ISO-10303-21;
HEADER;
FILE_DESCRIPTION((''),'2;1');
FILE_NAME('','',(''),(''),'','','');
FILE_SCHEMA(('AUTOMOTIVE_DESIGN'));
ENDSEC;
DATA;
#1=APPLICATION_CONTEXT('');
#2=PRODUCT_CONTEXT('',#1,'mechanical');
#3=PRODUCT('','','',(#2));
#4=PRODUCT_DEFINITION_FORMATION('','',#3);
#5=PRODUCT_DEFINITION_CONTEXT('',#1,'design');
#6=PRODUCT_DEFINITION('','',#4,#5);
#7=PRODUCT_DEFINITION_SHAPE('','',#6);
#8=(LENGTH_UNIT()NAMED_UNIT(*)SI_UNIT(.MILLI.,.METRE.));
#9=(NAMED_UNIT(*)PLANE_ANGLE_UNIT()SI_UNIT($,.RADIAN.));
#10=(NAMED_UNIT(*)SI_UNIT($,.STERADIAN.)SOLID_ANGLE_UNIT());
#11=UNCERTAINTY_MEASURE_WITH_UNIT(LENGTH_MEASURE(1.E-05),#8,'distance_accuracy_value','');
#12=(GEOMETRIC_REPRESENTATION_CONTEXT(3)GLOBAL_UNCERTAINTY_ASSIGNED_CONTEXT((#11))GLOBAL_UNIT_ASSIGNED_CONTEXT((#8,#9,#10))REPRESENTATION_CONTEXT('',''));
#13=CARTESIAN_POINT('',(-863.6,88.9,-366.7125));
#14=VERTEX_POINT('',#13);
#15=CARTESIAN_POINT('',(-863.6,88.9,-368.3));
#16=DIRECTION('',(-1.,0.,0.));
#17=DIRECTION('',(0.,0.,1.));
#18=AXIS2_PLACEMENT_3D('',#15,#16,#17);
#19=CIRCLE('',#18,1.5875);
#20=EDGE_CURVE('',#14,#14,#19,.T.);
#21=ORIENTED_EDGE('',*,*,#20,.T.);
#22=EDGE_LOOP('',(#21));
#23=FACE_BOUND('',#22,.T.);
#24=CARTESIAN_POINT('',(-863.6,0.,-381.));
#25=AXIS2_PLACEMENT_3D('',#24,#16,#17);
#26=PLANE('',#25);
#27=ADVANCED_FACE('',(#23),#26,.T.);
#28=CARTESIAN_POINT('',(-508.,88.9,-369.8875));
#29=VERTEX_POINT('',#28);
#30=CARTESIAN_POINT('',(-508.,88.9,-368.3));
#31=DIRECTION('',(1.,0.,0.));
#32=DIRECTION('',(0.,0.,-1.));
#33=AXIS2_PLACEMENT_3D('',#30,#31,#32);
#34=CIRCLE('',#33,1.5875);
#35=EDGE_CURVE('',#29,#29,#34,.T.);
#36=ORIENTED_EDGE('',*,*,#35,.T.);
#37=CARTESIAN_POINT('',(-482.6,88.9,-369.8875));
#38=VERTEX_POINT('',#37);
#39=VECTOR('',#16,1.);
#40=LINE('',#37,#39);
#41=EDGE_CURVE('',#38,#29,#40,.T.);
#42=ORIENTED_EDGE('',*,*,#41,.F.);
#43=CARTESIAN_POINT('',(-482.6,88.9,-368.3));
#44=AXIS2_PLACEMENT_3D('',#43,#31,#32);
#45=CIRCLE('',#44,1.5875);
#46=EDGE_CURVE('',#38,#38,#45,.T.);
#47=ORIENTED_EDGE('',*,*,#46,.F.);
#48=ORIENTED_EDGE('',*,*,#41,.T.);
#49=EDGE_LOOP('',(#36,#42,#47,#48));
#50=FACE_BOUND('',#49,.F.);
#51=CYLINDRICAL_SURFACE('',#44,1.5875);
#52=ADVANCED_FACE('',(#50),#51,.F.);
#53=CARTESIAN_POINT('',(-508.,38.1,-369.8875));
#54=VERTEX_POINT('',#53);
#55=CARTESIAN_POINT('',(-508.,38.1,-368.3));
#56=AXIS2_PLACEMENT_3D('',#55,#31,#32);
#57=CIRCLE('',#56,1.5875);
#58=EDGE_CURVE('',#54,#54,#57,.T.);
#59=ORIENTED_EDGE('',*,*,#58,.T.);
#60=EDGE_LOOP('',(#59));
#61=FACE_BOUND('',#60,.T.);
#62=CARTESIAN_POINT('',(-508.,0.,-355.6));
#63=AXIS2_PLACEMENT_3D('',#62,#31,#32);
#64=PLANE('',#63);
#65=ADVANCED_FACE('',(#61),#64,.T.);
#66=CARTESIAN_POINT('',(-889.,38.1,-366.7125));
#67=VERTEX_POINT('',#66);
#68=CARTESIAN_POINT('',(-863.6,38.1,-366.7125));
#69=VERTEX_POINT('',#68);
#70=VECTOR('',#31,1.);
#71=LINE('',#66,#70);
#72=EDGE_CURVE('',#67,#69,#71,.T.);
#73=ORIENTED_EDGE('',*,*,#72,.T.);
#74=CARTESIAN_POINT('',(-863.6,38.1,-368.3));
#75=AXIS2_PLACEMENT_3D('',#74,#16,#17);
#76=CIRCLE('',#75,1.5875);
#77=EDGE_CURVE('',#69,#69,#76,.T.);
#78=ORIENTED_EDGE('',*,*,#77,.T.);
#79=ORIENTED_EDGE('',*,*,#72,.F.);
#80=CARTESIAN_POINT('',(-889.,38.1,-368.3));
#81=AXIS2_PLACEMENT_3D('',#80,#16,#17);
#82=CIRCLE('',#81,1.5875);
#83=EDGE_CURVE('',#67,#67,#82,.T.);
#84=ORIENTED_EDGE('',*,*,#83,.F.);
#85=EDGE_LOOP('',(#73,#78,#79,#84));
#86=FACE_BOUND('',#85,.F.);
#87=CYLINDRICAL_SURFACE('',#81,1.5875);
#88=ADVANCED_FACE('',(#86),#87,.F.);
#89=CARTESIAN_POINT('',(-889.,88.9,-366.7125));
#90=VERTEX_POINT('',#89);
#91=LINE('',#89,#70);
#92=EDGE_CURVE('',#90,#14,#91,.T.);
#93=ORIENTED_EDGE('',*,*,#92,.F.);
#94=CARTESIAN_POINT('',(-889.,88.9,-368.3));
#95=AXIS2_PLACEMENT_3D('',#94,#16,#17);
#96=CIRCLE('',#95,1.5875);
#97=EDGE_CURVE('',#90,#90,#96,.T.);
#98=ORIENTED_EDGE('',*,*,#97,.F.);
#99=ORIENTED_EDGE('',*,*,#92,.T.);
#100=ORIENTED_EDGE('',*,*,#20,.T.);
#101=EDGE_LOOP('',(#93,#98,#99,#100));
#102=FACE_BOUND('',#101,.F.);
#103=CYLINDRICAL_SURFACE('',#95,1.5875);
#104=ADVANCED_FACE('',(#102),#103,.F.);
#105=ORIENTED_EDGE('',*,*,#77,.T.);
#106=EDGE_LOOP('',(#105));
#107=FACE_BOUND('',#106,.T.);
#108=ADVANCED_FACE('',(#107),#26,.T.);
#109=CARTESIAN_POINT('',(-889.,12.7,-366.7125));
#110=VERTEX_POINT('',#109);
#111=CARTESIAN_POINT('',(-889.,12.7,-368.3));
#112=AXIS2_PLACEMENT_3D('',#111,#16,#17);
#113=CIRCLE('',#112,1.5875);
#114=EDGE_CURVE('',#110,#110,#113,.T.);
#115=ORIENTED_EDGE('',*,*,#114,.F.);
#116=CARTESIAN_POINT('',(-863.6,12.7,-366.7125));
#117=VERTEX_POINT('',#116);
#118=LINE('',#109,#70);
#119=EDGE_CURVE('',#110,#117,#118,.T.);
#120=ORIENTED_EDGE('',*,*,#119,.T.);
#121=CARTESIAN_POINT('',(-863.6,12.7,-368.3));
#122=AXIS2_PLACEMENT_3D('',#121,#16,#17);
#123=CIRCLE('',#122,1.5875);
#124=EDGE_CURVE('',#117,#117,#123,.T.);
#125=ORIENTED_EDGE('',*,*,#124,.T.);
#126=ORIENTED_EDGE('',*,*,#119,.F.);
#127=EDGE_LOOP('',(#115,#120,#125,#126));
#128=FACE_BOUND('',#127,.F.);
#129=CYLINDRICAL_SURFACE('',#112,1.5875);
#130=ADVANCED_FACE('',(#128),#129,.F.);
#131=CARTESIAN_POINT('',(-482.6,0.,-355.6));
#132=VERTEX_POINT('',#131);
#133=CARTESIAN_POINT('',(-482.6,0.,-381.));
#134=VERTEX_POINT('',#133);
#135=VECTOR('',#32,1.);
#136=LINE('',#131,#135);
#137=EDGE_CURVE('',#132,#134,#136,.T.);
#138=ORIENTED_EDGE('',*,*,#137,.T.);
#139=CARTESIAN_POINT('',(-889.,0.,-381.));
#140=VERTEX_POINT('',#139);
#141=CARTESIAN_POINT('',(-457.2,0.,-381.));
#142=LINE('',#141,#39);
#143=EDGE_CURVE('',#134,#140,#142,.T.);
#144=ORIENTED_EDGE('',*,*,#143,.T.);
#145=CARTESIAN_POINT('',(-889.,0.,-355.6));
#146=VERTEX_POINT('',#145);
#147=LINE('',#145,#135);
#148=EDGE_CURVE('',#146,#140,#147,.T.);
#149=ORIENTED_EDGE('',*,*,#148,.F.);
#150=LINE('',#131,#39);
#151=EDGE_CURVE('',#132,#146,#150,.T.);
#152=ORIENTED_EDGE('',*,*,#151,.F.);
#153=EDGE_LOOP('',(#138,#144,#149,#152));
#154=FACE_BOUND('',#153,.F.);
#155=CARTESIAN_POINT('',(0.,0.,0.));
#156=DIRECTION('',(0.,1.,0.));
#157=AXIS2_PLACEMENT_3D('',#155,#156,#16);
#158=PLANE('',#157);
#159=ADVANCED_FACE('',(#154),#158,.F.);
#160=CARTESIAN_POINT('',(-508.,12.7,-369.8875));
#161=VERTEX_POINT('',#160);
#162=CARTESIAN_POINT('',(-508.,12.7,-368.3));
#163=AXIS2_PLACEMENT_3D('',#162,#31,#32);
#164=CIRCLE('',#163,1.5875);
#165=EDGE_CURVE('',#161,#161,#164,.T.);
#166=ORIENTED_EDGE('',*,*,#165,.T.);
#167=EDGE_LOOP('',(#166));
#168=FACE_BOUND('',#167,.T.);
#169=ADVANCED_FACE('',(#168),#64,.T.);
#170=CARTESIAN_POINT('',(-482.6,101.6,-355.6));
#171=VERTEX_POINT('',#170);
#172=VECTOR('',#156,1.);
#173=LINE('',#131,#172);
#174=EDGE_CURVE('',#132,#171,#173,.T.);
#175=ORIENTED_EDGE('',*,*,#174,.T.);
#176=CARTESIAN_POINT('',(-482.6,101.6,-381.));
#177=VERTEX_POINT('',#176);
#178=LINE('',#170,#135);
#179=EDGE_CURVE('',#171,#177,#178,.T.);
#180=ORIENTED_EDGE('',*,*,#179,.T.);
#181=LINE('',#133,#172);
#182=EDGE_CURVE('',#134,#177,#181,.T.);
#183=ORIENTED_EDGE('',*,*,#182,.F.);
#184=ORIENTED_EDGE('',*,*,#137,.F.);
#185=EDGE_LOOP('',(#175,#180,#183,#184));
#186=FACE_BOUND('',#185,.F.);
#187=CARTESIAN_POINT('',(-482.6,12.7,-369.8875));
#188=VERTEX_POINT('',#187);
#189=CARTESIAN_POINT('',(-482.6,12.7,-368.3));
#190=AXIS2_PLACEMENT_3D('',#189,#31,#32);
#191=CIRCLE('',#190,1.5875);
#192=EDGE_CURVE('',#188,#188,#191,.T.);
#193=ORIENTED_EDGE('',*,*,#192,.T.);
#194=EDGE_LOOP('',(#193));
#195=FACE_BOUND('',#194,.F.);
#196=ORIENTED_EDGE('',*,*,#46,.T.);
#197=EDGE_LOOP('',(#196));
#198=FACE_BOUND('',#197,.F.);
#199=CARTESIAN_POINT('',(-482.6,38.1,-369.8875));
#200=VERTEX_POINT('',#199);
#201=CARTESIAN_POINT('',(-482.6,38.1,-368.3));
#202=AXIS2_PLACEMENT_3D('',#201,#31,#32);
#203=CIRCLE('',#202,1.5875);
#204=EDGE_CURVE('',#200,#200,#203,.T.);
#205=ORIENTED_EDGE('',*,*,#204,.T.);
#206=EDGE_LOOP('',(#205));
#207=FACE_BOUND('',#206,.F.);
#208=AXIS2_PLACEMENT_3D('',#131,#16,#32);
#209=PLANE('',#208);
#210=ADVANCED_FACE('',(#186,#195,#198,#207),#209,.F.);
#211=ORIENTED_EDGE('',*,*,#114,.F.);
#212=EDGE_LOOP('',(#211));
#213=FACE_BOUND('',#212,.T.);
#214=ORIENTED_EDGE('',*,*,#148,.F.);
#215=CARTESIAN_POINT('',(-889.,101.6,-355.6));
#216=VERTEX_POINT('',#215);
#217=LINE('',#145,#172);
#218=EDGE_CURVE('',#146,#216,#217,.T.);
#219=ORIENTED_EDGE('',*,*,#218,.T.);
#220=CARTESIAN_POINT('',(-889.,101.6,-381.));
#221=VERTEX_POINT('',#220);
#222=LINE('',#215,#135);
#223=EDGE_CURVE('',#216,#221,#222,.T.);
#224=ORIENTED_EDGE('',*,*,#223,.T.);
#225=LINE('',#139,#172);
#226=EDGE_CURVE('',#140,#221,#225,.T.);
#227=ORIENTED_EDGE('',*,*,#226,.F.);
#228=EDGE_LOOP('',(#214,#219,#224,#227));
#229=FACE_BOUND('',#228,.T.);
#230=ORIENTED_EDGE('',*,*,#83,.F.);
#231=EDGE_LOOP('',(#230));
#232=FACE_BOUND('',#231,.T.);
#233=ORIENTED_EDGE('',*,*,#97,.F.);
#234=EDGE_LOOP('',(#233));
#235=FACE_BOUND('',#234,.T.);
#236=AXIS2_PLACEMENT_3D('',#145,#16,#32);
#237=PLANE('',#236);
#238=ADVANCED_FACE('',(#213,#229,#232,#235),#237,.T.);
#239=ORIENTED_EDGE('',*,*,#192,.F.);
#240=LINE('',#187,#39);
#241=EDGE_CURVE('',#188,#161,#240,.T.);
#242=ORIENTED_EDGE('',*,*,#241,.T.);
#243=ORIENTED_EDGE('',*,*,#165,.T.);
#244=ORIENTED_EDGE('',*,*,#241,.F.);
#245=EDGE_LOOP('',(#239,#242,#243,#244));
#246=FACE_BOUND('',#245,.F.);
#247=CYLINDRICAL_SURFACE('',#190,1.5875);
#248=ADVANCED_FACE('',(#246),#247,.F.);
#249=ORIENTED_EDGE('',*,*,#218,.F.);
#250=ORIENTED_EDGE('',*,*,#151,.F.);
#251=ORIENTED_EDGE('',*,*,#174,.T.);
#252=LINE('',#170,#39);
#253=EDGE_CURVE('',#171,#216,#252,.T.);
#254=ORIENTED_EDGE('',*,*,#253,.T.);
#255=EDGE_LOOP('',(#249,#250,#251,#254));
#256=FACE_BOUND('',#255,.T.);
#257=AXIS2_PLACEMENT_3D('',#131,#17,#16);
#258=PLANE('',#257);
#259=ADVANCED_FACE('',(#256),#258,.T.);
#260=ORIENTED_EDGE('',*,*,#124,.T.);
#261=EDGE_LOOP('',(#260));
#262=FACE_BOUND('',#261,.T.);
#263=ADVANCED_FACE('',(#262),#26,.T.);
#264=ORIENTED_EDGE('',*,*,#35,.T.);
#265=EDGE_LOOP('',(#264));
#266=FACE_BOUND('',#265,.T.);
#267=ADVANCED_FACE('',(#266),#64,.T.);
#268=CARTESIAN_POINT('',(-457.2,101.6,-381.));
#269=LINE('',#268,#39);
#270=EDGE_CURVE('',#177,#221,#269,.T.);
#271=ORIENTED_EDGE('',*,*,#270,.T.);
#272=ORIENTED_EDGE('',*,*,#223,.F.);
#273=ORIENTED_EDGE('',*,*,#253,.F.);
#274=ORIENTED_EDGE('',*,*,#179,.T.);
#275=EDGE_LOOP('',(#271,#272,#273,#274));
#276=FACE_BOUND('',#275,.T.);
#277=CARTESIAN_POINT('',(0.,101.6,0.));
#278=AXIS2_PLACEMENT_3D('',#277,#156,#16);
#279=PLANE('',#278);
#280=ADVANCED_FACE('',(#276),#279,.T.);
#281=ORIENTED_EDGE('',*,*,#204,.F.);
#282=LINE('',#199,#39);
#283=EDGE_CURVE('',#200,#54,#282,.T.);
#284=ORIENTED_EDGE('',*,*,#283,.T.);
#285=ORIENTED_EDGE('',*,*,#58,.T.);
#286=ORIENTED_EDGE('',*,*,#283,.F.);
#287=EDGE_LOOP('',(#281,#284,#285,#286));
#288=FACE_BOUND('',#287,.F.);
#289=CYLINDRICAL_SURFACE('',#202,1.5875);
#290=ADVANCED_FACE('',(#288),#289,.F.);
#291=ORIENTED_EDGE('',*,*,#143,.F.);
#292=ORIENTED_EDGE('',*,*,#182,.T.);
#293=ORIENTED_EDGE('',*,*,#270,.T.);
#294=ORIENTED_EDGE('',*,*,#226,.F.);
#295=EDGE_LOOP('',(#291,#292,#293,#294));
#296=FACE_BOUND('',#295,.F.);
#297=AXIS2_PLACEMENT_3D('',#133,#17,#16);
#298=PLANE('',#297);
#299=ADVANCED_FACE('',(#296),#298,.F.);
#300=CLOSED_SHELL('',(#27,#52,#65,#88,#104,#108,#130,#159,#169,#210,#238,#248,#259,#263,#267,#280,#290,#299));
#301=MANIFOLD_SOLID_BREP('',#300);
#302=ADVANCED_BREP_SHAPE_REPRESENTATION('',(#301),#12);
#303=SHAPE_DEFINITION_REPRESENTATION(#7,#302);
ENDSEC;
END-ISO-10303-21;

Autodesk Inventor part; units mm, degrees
ref_plane "YZ Plane" through (0, 0, 0) normal (1, 0, 0) x (0, 1, 0)
ref_plane "XZ Plane" through (0, 0, 0) normal (0, 1, 0) x (-1, 0, 0)
ref_plane "XY Plane" through (0, 0, 0) normal (0, 0, 1) x (1, 0, 0)
sketch "Sketch1" plane through (0, 0, 0) normal (0, 1, 0) x (-1, 0, 0)
  line L0 (6.35, 0) -> (1365.25, 0)
  line L1 (1371.6, -6.35) -> (1371.6, -1365.25)
  line L2 (1365.25, -1371.6) -> (6.35, -1371.6)
  line L3 (0, -1365.25) -> (0, -6.35)
  line L4 (1346.2, -1346.2) -> (1346.2, -25.4)
  line L5 (1346.2, -25.4) -> (25.4, -25.4)
  line L6 (25.4, -25.4) -> (25.4, -1346.2)
  line L7 (25.4, -1346.2) -> (1346.2, -1346.2)
  line L8 (1320.8, -50.8) -> (1320.8, -1320.8)
  line L9 (1320.8, -1320.8) -> (50.8, -1320.8)
  line L10 (50.8, -1320.8) -> (50.8, -50.8)
  line L11 (50.8, -50.8) -> (1320.8, -50.8)
  line L12 (1320.8, -50.8) -> (1346.2, -25.4)
  line L13 (1320.8, -1320.8) -> (1346.2, -1346.2)
  line L14 (50.8, -1320.8) -> (25.4, -1346.2)
  line L15 (50.8, -50.8) -> (25.4, -25.4)
  line L16 (1219.2, -482.6) -> (1016, -482.6)
  line L17 (1016, -482.6) -> (1016, -889)
  line L18 (1016, -889) -> (1219.2, -889)
  line L19 (1219.2, -889) -> (1219.2, -482.6)
  line L20 (355.6, -482.6) -> (152.4, -482.6)
  line L21 (152.4, -482.6) -> (152.4, -889)
  line L22 (152.4, -889) -> (355.6, -889)
  line L23 (355.6, -889) -> (355.6, -482.6)
  line L24 (889, -1016) -> (482.6, -1016)
  line L25 (482.6, -1016) -> (482.6, -1219.2)
  line L26 (482.6, -1219.2) -> (889, -1219.2)
  line L27 (889, -1219.2) -> (889, -1016)
  line L28 (889, -152.4) -> (482.6, -152.4)
  line L29 (482.6, -152.4) -> (482.6, -355.6)
  line L30 (482.6, -355.6) -> (889, -355.6)
  line L31 (889, -355.6) -> (889, -152.4)
  circle A0 centre (685.8, -685.8) radius 254
  line L32 (889, -127) -> (482.6, -127)
  line L33 (457.2, -127) -> (457.2, -381)
  line L34 (457.2, -381) -> (914.4, -381)
  line L35 (914.4, -381) -> (914.4, -127)
  line L36 (1244.6, -457.2) -> (990.6, -457.2)
  line L37 (990.6, -457.2) -> (990.6, -914.4)
  line L38 (990.6, -914.4) -> (1244.6, -914.4)
  line L39 (1244.6, -889) -> (1244.6, -482.6)
  line L40 (914.4, -990.6) -> (457.2, -990.6)
  line L41 (457.2, -990.6) -> (457.2, -1244.6)
  line L42 (482.6, -1244.6) -> (889, -1244.6)
  line L43 (914.4, -1244.6) -> (914.4, -990.6)
  line L44 (381, -457.2) -> (127, -457.2)
  line L45 (127, -482.6) -> (127, -889)
  line L46 (127, -914.4) -> (381, -914.4)
  line L47 (381, -914.4) -> (381, -457.2)
  line L48 (152.4, -482.6) -> (50.8, -482.6)
  line L49 (127, -457.2) -> (50.8, -457.2)
  line L50 (152.4, -889) -> (50.8, -889)
  line L51 (127, -914.4) -> (50.8, -914.4)
  line L52 (355.6, -889) -> (381, -889)
  line L53 (355.6, -482.6) -> (381, -482.6)
  line L54 (457.2, -1244.6) -> (457.2, -1320.8)
  line L55 (482.6, -1219.2) -> (482.6, -1320.8)
  line L56 (889, -1219.2) -> (889, -1320.8)
  line L57 (914.4, -1244.6) -> (914.4, -1320.8)
  line L58 (1244.6, -914.4) -> (1320.8, -914.4)
  line L59 (1219.2, -889) -> (1320.8, -889)
  line L60 (1219.2, -482.6) -> (1320.8, -482.6)
  line L61 (1244.6, -457.2) -> (1320.8, -457.2)
  line L62 (889, -152.4) -> (889, -50.8)
  line L63 (914.4, -127) -> (914.4, -50.8)
  line L64 (482.6, -152.4) -> (482.6, -50.8)
  line L65 (457.2, -127) -> (457.2, -50.8)
  line L66 (889, -1016) -> (889, -990.6)
  line L67 (482.6, -1016) -> (482.6, -990.6)
  line L68 (1016, -889) -> (990.6, -889)
  line L69 (1016, -482.6) -> (990.6, -482.6)
  line L70 (889, -355.6) -> (889, -381)
  line L71 (482.6, -355.6) -> (482.6, -381)
  line L72 (914.4, -381) -> (990.6, -457.2)
  line L73 (990.6, -482.6) -> (889, -381)
  line L74 (990.6, -914.4) -> (914.4, -990.6)
  line L75 (889, -990.6) -> (990.6, -889)
  line L76 (381, -914.4) -> (457.2, -990.6)
  line L77 (482.6, -990.6) -> (381, -889)
  line L78 (457.2, -381) -> (381, -457.2)
  line L79 (482.6, -381) -> (381, -482.6)
  line L80 (1257.3, -50.8) -> (1320.8, -114.3)
  line L81 (1320.8, -1257.3) -> (1257.3, -1320.8)
  line L82 (50.8, -1257.3) -> (114.3, -1320.8)
  line L83 (50.8, -114.3) -> (114.3, -50.8)
  line L84 (68.7605, -132.2605) -> (132.2605, -68.7605)
  line L85 (68.7605, -1239.3395) -> (132.2605, -1302.8395)
  line L86 (1302.8395, -1239.3395) -> (1239.3395, -1302.8395)
  line L87 (1239.3395, -68.7605) -> (1302.8395, -132.2605)
  line L88 (1302.8395, -132.2605) -> (1320.8, -150.221)
  line L89 (1239.3395, -68.7605) -> (1221.379, -50.8)
  line L90 (1302.8395, -1239.3395) -> (1320.8, -1221.379)
  line L91 (1239.3395, -1302.8395) -> (1221.379, -1320.8)
  line L92 (132.2605, -1302.8395) -> (150.221, -1320.8)
  line L93 (68.7605, -1239.3395) -> (50.8, -1221.379)
  line L94 (132.2605, -68.7605) -> (150.221, -50.8)
  line L95 (68.7605, -132.2605) -> (50.8, -150.221)
  line L96 (1365.25, 0) -> (1371.6, -6.35)
  line L97 (1371.6, -1365.25) -> (1365.25, -1371.6)
  line L98 (6.35, -1371.6) -> (0, -1365.25)
  line L99 (6.35, 0) -> (0, -6.35)
  point P0 (0, 0)
  point P1 (1371.6, -1371.6)
  point P2 (1371.6, 0)
  point P3 (0, -1371.6)
  dimension "d0" = 1371.6
  dimension "d1" = 1371.6
  dimension "d2" = 25.4
  dimension "d3" = 25.4
  dimension "d4" = 203.2
  dimension "d5" = 406.4
  dimension "d6" = 203.2
  dimension "d7" = 406.4
  dimension "d8" = 406.4
  dimension "d9" = 203.2
  dimension "d10" = 406.4
  dimension "d11" = 203.2
  dimension "d12" = 101.6
  dimension "d13" = 101.6
  dimension "d14" = 101.6
  dimension "d15" = 101.6
  dimension "d16" = 431.8
  dimension "d17" = 431.8
  dimension "d18" = 431.8
  dimension "d19" = 431.8
  dimension "d20" = 508
  dimension "d21" = 25.4
  dimension "d22" = 25.4
  dimension "d23" = 25.4
  dimension "d24" = 25.4
  dimension "d25" = 45
  dimension "d26" = 63.5
  dimension "d27" = 45
  dimension "d28" = 45
  dimension "d29" = 45
  dimension "d30" = 25.4
  dimension "d31" = 25.4
  dimension "d32" = 25.4
  dimension "d33" = 25.4
  dimension "d34" = 6.35
  dimension "d35" = 6.35
  dimension "d36" = 6.35
  dimension "d37" = 6.35
  dimension "d38" = 6.35
  dimension "d39" = 6.35
  dimension "d40" = 6.35
  dimension "d41" = 6.35
extrude "Extrusion1" add sketch "Sketch1" along normal blind 101.6 contours L34 L71 L30 L70
sketch "Sketch2" plane through (-482.6, 0, -355.6) normal (1, 0, 0) x (0, 0, -1)
  circle A0 centre (12.7, 88.9) radius 1.5875
  circle A1 centre (12.7, 38.1) radius 1.5875
  line L0 (0, 0) -> (0, 101.6) projected
  line L1 (0, 101.6) -> (25.4, 101.6) projected
  point P0 (-355.6, 0)
  dimension "d44" = 3.175
  dimension "d45" = 3.175
  dimension "d46" = 12.7
  dimension "d47" = 12.7
  dimension "d48" = 12.7
  dimension "d49" = 63.5
extrude "Extrusion2" cut sketch "Sketch2" against normal blind 25.4
sketch "Sketch3" plane through (-889, 0, -381) normal (-1, 0, 0) x (0, 0, 1)
  circle A0 centre (12.7, 88.9) radius 1.5875
  circle A1 centre (12.7, 38.1) radius 1.5875
  line L0 (0, 101.6) -> (25.4, 101.6) projected
  line L1 (0, 0) -> (0, 101.6) projected
  point P0 (381, 0)
  dimension "d52" = 3.175
  dimension "d53" = 3.175
  dimension "d54" = 12.7
  dimension "d55" = 12.7
  dimension "d56" = 12.7
  dimension "d57" = 63.5
extrude "Extrusion3" cut sketch "Sketch3" against normal blind 25.4
sketch "Sketch4" plane through (-482.6, 0, -355.6) normal (1, 0, 0) x (0, 0, -1)
  circle A0 centre (12.7, 12.7) radius 1.5875
  line L0 (25.4, 0) -> (25.4, 101.6) projected
  line L1 (0, 0) -> (25.4, 0) projected
  point P0 (-355.6, 0)
  point P1 (12.7, 0)
  dimension "d60" = 3.175
  dimension "d61" = 12.7
  dimension "d62" = 12.7
extrude "Extrusion4" cut sketch "Sketch4" against normal blind 25.4
sketch "Sketch5" plane through (-889, 0, -381) normal (-1, 0, 0) x (0, 0, 1)
  circle A0 centre (12.7, 12.7) radius 1.5875
  line L0 (0, 0) -> (0, 101.6) projected
  line L1 (0, 0) -> (25.4, 0) projected
  point P0 (381, 0)
  dimension "d65" = 3.175
  dimension "d66" = 12.7
  dimension "d67" = 12.7
extrude "Extrusion5" cut sketch "Sketch5" against normal blind 25.4
equation "\"d35\" = d34"
equation "\"d36\" = d34"
equation "\"d37\" = d36"
equation "\"d38\" = d34"
equation "\"d39\" = d38"
equation "\"d40\" = d34"
equation "\"d41\" = d40"
properties part number "Tall drawn wall"
